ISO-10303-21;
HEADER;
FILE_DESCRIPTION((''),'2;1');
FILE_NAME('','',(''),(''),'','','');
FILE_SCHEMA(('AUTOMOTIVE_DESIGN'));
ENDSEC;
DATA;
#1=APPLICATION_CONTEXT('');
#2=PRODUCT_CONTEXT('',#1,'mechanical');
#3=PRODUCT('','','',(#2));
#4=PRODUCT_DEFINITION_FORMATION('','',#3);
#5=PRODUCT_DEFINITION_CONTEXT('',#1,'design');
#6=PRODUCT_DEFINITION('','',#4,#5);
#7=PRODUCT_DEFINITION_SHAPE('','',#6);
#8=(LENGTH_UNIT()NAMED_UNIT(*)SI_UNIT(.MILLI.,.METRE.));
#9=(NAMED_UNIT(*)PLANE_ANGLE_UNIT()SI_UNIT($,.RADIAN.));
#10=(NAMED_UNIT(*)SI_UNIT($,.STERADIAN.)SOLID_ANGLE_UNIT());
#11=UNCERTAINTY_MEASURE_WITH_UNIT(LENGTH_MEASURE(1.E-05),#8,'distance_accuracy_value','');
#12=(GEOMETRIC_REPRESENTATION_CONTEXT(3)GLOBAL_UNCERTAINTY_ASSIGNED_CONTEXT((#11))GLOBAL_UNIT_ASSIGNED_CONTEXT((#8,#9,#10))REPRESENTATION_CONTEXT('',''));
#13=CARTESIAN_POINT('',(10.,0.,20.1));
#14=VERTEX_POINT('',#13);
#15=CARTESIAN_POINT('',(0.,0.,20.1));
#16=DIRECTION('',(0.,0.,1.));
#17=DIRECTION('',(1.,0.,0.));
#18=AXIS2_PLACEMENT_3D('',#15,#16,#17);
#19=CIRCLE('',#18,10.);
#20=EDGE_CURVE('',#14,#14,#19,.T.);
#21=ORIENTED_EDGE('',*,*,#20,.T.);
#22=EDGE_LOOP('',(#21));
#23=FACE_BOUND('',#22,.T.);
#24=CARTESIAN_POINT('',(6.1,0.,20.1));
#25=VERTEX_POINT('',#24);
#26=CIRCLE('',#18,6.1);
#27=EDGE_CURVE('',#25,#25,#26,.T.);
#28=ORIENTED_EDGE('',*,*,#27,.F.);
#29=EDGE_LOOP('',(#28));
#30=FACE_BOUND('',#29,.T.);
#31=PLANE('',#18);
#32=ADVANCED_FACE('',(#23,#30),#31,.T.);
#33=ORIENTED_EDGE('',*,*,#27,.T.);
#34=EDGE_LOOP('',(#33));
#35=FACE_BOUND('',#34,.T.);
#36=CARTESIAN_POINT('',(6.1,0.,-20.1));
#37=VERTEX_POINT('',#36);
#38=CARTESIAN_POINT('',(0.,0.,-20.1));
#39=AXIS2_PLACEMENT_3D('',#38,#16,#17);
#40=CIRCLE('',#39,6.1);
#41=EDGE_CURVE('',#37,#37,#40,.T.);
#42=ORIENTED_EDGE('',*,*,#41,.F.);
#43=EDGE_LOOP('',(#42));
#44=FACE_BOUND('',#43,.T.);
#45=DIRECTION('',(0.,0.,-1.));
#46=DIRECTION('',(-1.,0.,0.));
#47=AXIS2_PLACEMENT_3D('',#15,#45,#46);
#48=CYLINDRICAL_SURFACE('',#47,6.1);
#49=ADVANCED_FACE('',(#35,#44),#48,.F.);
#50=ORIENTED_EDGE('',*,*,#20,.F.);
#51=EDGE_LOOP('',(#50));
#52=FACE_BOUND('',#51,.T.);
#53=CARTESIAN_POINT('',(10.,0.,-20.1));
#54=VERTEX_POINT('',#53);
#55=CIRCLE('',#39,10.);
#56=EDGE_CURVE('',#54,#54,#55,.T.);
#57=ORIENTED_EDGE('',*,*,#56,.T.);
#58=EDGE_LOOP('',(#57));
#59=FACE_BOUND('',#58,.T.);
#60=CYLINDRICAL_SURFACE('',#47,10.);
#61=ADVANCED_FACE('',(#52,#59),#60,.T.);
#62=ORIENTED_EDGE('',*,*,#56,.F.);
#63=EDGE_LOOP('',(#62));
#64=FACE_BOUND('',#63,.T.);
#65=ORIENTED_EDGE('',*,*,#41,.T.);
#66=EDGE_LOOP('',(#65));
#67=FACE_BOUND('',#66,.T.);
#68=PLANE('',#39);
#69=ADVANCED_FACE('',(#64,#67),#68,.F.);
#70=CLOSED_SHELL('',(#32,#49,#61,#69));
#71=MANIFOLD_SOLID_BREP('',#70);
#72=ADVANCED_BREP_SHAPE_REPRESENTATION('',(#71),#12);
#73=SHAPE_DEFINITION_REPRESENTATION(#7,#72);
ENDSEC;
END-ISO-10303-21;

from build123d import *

# Parameters (mm, degrees)
SKETCH1_R           = 10
SKETCH1_R_2         = 6.1
BOSS_EXTRUDE1_DEPTH = 20.1


with BuildPart() as part:
    # Sketch1 → Boss-Extrude1 (new, symmetric)
    with BuildSketch(Plane.XY):
        Circle(SKETCH1_R)
        Circle(SKETCH1_R_2, mode=Mode.SUBTRACT)
    extrude(amount=BOSS_EXTRUDE1_DEPTH, both=True)


solid = part.part
